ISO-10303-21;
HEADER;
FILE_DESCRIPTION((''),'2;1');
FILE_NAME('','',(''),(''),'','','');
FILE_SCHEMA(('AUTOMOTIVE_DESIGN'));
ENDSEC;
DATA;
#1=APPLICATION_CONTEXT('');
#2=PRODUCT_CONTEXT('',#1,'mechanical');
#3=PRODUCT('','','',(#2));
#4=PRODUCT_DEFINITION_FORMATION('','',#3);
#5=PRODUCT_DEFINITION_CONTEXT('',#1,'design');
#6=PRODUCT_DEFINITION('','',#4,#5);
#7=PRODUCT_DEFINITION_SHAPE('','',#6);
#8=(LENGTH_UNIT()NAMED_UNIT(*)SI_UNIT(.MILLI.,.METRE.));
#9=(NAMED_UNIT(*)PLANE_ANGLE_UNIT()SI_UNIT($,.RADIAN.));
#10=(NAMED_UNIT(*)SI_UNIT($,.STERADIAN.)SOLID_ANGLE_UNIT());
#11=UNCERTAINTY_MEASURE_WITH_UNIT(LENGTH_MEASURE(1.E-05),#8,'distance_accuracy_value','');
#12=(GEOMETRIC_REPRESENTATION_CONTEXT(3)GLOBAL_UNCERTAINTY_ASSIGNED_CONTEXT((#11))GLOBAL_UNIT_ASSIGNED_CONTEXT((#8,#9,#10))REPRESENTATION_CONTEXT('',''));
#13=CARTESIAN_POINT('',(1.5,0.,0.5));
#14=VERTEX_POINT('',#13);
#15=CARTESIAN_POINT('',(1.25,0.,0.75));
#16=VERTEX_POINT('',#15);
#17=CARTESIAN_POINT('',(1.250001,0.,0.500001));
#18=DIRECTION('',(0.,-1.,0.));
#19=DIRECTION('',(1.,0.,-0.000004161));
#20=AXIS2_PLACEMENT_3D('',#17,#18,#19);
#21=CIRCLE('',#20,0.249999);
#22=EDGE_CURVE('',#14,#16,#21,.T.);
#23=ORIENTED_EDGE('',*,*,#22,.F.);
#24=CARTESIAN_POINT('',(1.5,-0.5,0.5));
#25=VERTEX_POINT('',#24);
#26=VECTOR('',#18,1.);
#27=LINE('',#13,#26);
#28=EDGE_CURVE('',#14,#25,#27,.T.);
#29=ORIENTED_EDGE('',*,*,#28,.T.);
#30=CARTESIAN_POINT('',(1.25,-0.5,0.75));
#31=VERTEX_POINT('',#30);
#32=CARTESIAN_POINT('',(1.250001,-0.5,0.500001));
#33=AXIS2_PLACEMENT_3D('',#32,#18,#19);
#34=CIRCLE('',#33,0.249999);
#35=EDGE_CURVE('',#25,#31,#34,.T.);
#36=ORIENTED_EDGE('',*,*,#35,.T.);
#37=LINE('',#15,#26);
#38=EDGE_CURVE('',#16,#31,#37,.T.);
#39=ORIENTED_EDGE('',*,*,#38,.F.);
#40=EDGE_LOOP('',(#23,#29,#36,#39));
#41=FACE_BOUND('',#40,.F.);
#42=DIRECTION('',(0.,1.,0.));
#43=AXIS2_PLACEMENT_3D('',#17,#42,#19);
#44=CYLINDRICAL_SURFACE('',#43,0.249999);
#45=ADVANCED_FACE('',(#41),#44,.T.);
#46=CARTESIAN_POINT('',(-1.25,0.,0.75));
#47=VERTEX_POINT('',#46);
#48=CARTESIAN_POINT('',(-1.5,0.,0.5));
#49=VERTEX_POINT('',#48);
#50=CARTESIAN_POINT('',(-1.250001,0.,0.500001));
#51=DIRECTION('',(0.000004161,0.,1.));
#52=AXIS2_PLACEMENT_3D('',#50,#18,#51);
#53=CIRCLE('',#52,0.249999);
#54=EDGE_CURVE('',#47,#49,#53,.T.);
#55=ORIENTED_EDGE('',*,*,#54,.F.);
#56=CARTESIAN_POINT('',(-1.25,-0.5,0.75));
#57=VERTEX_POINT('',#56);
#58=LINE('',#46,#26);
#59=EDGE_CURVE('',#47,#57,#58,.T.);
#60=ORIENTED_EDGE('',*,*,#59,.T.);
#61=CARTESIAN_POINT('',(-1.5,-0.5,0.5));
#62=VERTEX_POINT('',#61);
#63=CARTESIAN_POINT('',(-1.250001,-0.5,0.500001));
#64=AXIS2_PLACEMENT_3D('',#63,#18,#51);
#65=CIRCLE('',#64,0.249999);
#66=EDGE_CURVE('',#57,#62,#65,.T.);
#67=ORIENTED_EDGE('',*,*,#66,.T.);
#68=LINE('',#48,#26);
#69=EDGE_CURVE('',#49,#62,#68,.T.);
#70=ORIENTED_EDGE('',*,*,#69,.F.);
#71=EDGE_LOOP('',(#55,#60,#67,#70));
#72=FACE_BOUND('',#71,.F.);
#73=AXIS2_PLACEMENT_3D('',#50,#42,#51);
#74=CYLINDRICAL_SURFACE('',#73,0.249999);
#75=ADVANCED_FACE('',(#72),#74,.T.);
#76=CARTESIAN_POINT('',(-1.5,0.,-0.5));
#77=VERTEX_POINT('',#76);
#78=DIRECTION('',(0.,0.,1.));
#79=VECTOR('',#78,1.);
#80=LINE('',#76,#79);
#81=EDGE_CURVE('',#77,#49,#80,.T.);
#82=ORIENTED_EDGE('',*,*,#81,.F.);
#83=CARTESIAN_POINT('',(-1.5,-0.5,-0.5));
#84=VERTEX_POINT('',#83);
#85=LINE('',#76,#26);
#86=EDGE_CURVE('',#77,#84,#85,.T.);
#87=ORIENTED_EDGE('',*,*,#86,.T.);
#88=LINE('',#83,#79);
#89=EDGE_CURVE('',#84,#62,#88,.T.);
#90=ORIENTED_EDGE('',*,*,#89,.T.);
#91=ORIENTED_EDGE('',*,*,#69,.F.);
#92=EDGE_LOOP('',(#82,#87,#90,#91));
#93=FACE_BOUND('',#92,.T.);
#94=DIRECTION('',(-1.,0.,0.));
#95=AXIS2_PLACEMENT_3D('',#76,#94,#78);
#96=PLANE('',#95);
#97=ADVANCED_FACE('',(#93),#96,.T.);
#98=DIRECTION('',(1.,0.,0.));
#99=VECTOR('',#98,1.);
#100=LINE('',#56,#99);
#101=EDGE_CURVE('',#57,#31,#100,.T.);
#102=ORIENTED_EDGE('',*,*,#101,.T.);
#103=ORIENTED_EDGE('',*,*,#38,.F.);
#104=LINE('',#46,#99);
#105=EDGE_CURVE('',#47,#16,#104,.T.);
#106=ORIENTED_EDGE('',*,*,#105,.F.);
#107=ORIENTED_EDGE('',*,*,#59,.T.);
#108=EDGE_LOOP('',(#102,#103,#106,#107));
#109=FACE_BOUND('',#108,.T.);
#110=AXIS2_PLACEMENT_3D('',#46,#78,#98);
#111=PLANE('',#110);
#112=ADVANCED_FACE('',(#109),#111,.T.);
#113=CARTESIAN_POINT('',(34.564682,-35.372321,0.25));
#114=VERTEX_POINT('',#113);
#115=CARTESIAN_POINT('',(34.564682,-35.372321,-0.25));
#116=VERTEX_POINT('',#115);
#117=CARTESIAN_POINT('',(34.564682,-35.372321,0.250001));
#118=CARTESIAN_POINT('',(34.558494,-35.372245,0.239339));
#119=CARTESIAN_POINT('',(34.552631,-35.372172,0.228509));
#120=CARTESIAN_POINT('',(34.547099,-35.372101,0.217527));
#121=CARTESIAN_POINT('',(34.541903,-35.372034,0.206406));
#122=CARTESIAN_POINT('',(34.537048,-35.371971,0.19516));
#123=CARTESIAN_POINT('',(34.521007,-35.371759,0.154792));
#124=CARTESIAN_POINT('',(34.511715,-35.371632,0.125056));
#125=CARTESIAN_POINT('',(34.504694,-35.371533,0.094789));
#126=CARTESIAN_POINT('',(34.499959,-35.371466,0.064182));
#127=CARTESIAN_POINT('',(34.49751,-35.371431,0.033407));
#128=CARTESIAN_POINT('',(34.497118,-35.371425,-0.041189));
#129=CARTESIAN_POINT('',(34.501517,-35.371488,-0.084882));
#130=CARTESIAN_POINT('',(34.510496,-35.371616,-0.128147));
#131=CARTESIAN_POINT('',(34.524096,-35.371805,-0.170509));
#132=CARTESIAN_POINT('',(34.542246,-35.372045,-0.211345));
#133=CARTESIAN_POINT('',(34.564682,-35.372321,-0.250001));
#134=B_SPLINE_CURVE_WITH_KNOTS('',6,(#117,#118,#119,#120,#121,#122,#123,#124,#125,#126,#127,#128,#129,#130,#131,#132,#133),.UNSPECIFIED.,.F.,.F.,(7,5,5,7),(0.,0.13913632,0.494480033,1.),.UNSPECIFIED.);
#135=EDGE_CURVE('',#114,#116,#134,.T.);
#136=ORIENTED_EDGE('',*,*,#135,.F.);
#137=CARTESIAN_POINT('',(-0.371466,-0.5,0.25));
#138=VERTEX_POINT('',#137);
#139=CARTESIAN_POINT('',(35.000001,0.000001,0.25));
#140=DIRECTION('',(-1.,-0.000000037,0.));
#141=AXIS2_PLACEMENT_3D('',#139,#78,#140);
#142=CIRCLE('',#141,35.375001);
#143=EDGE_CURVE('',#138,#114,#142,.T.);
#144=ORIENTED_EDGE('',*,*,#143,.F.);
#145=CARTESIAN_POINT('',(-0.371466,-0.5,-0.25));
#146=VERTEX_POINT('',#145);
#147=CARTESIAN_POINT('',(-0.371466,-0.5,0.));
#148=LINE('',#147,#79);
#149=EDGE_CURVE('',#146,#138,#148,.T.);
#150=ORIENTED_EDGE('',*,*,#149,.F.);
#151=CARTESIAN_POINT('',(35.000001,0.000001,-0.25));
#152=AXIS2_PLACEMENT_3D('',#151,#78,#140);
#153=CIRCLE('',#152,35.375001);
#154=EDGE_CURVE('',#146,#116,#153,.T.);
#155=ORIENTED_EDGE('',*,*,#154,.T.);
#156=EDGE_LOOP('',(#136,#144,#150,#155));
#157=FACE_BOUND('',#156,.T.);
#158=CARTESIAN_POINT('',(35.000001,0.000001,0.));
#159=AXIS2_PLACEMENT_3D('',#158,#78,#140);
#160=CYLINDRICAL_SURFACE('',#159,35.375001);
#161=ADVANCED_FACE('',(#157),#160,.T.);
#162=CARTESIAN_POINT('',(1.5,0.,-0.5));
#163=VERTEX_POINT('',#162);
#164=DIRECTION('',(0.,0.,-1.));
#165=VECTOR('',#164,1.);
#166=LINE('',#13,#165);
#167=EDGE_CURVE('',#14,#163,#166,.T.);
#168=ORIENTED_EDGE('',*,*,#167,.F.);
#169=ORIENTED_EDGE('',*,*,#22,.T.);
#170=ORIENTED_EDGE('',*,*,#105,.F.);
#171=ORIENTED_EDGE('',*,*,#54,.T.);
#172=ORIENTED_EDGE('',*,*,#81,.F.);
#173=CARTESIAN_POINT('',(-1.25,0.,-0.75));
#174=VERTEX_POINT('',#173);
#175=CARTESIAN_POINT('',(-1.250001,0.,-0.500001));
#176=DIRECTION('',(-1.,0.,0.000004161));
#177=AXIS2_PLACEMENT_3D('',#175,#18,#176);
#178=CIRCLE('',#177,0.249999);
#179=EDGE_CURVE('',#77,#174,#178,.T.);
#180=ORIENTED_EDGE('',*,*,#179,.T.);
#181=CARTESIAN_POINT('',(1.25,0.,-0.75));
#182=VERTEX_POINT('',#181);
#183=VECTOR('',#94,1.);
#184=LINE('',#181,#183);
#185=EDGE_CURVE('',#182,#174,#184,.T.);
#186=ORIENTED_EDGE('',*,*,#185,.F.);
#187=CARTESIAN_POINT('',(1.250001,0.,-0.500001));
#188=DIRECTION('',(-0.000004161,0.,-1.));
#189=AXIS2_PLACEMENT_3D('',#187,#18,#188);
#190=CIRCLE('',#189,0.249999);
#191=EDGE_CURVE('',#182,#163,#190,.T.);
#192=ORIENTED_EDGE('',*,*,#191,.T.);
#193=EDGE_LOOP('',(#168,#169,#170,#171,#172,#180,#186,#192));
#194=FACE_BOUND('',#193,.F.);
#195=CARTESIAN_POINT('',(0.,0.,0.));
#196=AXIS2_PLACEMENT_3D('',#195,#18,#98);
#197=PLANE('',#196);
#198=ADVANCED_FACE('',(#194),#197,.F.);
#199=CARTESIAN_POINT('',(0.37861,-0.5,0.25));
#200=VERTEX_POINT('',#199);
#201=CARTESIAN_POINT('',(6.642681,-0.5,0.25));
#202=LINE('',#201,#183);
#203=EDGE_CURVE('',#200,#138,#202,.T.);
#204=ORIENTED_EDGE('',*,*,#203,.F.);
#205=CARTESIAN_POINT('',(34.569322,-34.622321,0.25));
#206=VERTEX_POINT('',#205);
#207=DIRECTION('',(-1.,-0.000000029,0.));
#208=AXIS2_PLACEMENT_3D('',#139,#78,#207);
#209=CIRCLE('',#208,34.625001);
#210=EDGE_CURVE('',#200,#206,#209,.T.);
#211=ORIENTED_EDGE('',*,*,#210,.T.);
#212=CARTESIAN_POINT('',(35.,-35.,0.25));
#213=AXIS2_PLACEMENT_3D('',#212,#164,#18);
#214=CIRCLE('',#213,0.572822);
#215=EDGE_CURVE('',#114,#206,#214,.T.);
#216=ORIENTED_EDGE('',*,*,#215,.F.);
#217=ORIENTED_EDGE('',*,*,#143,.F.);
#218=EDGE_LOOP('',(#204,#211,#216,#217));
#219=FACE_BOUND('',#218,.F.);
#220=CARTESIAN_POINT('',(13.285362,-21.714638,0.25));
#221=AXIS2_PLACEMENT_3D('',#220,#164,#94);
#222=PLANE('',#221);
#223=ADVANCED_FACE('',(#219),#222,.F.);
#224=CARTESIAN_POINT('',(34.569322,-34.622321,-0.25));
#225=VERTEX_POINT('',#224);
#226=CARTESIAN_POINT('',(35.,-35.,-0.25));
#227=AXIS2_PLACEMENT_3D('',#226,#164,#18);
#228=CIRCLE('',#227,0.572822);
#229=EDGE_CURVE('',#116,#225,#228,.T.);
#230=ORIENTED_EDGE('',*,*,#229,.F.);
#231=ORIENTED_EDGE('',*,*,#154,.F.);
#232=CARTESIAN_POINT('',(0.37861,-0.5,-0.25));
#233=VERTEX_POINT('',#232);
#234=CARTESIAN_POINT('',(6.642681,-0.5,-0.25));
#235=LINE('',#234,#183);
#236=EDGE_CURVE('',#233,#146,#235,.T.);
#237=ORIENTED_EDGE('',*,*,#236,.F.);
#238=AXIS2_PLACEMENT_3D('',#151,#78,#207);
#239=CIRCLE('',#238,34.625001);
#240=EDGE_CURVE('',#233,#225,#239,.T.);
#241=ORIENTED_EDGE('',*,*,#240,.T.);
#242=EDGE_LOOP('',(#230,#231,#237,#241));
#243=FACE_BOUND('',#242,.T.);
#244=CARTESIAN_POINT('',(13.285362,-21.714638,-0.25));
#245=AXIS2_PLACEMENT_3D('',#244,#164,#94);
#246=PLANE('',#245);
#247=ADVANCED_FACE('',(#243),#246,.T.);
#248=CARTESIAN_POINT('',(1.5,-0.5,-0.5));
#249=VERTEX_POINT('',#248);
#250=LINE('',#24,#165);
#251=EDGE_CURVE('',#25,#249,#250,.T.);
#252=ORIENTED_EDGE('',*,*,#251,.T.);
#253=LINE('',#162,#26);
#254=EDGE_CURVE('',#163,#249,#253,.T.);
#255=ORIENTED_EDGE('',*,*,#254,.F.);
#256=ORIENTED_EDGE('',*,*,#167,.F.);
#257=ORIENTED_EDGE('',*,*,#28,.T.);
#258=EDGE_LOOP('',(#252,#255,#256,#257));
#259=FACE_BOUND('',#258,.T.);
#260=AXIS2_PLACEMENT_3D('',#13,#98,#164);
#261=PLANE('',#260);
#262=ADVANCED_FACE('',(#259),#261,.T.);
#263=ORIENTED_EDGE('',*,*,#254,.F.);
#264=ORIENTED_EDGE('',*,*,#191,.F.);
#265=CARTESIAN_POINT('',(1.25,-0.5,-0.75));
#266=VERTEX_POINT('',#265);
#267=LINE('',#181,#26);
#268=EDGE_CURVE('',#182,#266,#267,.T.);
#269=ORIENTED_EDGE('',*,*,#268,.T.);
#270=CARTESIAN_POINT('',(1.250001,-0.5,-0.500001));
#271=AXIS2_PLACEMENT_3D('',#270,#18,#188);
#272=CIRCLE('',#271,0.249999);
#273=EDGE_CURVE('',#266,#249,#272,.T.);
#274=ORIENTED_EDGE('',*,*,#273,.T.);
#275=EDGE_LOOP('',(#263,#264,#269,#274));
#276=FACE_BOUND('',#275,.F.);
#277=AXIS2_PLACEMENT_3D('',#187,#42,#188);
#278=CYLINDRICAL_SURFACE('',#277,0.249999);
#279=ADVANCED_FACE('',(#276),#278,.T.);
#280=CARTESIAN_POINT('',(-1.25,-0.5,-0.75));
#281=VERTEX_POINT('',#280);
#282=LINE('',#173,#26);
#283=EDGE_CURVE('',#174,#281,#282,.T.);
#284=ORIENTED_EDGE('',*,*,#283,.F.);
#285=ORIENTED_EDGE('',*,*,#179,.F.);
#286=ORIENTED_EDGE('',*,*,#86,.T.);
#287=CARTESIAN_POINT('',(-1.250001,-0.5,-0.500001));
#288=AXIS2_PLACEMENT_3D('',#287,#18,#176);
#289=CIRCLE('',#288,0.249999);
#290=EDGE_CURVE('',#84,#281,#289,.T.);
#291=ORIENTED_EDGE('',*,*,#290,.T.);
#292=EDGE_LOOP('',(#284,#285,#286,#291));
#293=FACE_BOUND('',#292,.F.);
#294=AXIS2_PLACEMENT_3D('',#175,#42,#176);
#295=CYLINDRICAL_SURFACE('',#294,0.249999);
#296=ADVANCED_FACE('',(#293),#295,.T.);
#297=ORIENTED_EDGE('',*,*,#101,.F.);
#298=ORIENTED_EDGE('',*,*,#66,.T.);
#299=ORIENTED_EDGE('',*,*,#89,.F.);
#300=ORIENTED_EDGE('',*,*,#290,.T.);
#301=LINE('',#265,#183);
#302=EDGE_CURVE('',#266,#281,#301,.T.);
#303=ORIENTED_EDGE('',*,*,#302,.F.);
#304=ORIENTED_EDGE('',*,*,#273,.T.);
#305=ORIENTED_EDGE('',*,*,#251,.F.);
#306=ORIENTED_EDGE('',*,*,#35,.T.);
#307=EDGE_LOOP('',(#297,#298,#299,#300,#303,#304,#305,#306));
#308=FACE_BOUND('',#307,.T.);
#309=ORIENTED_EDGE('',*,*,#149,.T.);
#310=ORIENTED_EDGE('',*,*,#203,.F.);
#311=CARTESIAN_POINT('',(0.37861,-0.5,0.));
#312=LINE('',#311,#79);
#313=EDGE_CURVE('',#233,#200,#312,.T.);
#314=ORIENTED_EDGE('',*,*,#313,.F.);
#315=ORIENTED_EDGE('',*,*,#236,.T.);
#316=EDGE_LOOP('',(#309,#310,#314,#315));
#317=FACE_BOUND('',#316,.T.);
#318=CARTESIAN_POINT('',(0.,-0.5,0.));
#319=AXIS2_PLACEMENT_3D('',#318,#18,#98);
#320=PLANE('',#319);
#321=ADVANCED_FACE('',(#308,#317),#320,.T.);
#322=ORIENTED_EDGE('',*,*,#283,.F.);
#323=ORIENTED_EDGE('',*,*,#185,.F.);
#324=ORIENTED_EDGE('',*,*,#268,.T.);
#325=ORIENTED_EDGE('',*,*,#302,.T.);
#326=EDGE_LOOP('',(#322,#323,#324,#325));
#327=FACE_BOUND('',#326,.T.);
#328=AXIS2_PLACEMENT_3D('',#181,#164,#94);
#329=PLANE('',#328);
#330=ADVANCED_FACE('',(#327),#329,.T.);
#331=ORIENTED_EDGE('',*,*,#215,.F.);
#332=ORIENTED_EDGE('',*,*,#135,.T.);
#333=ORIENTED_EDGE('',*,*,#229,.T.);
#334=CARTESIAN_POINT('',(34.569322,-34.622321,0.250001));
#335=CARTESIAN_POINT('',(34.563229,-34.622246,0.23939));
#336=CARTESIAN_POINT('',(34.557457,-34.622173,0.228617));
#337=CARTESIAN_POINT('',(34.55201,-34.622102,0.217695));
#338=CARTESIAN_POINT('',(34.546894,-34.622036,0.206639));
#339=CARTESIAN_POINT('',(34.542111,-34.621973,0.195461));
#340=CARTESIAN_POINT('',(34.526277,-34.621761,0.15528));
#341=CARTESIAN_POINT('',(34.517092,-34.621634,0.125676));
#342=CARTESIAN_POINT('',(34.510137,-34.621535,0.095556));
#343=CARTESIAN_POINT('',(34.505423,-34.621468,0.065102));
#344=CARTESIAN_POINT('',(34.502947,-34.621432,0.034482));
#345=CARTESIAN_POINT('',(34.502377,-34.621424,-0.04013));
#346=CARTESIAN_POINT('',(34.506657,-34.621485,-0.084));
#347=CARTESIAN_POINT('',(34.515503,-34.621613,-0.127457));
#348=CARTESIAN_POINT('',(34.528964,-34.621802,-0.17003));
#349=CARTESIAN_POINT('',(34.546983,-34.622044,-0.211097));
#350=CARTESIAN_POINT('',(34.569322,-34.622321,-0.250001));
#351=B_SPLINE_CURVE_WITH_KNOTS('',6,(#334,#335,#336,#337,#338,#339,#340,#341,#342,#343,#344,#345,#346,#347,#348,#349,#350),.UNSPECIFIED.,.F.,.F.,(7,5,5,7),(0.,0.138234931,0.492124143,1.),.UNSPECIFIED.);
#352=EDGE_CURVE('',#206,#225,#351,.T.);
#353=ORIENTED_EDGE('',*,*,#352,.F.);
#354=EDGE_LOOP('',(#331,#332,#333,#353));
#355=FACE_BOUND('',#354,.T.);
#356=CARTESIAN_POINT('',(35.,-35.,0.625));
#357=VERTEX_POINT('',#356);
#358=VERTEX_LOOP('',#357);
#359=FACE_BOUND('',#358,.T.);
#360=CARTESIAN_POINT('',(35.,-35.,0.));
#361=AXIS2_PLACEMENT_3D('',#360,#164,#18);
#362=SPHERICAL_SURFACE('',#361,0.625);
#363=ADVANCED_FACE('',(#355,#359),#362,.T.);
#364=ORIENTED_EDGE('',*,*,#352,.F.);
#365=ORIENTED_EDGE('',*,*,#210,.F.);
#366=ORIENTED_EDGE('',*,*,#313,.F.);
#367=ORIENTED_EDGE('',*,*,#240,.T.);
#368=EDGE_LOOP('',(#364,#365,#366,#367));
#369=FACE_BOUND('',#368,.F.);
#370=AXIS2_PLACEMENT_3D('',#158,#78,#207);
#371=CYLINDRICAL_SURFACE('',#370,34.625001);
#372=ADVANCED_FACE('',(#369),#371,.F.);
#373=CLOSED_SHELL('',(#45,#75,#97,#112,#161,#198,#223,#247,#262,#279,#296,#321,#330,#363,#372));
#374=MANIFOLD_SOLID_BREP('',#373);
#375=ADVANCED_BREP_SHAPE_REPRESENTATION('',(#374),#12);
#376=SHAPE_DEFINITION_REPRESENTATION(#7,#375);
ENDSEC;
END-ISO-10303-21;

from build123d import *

# Parameters (mm, degrees)
PAD_DEPTH    = 0.25
PAD001_DEPTH = 0.5


with BuildPart() as part:
    # Sketch → Pad (new body, symmetric)
    with BuildSketch(Plane.XY):
        with BuildLine():
            Line((-0.375, 0), (0, 0))
            Line((0, 0), (0.375, 0))
            ThreePointArc((0.375, 0), (10.516428, -24.483572), (35, -34.625))
            Line((35, -34.625), (35, -35))
            Line((35, -35), (35, -35.375))
            ThreePointArc((-0.375, 0), (9.986098, -25.013902), (35, -35.375))
        make_face()
    extrude(amount=PAD_DEPTH, both=True)

    # Sketch001 (on DatumPlane) → Revolution (revolve)
    with BuildSketch(Plane(origin=(35, -35, 0), x_dir=(0, 1, 0), z_dir=(1, 0, 0))):
        with BuildLine():
            ThreePointArc((0, 0.625), (-0.625, 0), (0, -0.625))
            Line((0, 0), (0, -0.625))
            Line((0, 0.625), (0, 0))
        make_face()
    revolve(axis=Axis((35, -35, 0), (0, 0, -1)))

    # Sketch002 → Pad001 (join)
    with BuildSketch(Plane.XZ):
        with BuildLine():
            ThreePointArc((-1.25, 0.75), (-1.426777, 0.676777), (-1.5, 0.5))
            Line((-1.5, -0.5), (-1.5, 0.5))
            ThreePointArc((-1.5, -0.5), (-1.426777, -0.676777), (-1.25, -0.75))
            Line((1.25, -0.75), (-1.25, -0.75))
            ThreePointArc((1.25, -0.75), (1.426777, -0.676777), (1.5, -0.5))
            Line((1.5, 0.5), (1.5, -0.5))
            ThreePointArc((1.5, 0.5), (1.426777, 0.676777), (1.25, 0.75))
            Line((-1.25, 0.75), (1.25, 0.75))
        make_face()
    extrude(amount=PAD001_DEPTH)


solid = part.part
